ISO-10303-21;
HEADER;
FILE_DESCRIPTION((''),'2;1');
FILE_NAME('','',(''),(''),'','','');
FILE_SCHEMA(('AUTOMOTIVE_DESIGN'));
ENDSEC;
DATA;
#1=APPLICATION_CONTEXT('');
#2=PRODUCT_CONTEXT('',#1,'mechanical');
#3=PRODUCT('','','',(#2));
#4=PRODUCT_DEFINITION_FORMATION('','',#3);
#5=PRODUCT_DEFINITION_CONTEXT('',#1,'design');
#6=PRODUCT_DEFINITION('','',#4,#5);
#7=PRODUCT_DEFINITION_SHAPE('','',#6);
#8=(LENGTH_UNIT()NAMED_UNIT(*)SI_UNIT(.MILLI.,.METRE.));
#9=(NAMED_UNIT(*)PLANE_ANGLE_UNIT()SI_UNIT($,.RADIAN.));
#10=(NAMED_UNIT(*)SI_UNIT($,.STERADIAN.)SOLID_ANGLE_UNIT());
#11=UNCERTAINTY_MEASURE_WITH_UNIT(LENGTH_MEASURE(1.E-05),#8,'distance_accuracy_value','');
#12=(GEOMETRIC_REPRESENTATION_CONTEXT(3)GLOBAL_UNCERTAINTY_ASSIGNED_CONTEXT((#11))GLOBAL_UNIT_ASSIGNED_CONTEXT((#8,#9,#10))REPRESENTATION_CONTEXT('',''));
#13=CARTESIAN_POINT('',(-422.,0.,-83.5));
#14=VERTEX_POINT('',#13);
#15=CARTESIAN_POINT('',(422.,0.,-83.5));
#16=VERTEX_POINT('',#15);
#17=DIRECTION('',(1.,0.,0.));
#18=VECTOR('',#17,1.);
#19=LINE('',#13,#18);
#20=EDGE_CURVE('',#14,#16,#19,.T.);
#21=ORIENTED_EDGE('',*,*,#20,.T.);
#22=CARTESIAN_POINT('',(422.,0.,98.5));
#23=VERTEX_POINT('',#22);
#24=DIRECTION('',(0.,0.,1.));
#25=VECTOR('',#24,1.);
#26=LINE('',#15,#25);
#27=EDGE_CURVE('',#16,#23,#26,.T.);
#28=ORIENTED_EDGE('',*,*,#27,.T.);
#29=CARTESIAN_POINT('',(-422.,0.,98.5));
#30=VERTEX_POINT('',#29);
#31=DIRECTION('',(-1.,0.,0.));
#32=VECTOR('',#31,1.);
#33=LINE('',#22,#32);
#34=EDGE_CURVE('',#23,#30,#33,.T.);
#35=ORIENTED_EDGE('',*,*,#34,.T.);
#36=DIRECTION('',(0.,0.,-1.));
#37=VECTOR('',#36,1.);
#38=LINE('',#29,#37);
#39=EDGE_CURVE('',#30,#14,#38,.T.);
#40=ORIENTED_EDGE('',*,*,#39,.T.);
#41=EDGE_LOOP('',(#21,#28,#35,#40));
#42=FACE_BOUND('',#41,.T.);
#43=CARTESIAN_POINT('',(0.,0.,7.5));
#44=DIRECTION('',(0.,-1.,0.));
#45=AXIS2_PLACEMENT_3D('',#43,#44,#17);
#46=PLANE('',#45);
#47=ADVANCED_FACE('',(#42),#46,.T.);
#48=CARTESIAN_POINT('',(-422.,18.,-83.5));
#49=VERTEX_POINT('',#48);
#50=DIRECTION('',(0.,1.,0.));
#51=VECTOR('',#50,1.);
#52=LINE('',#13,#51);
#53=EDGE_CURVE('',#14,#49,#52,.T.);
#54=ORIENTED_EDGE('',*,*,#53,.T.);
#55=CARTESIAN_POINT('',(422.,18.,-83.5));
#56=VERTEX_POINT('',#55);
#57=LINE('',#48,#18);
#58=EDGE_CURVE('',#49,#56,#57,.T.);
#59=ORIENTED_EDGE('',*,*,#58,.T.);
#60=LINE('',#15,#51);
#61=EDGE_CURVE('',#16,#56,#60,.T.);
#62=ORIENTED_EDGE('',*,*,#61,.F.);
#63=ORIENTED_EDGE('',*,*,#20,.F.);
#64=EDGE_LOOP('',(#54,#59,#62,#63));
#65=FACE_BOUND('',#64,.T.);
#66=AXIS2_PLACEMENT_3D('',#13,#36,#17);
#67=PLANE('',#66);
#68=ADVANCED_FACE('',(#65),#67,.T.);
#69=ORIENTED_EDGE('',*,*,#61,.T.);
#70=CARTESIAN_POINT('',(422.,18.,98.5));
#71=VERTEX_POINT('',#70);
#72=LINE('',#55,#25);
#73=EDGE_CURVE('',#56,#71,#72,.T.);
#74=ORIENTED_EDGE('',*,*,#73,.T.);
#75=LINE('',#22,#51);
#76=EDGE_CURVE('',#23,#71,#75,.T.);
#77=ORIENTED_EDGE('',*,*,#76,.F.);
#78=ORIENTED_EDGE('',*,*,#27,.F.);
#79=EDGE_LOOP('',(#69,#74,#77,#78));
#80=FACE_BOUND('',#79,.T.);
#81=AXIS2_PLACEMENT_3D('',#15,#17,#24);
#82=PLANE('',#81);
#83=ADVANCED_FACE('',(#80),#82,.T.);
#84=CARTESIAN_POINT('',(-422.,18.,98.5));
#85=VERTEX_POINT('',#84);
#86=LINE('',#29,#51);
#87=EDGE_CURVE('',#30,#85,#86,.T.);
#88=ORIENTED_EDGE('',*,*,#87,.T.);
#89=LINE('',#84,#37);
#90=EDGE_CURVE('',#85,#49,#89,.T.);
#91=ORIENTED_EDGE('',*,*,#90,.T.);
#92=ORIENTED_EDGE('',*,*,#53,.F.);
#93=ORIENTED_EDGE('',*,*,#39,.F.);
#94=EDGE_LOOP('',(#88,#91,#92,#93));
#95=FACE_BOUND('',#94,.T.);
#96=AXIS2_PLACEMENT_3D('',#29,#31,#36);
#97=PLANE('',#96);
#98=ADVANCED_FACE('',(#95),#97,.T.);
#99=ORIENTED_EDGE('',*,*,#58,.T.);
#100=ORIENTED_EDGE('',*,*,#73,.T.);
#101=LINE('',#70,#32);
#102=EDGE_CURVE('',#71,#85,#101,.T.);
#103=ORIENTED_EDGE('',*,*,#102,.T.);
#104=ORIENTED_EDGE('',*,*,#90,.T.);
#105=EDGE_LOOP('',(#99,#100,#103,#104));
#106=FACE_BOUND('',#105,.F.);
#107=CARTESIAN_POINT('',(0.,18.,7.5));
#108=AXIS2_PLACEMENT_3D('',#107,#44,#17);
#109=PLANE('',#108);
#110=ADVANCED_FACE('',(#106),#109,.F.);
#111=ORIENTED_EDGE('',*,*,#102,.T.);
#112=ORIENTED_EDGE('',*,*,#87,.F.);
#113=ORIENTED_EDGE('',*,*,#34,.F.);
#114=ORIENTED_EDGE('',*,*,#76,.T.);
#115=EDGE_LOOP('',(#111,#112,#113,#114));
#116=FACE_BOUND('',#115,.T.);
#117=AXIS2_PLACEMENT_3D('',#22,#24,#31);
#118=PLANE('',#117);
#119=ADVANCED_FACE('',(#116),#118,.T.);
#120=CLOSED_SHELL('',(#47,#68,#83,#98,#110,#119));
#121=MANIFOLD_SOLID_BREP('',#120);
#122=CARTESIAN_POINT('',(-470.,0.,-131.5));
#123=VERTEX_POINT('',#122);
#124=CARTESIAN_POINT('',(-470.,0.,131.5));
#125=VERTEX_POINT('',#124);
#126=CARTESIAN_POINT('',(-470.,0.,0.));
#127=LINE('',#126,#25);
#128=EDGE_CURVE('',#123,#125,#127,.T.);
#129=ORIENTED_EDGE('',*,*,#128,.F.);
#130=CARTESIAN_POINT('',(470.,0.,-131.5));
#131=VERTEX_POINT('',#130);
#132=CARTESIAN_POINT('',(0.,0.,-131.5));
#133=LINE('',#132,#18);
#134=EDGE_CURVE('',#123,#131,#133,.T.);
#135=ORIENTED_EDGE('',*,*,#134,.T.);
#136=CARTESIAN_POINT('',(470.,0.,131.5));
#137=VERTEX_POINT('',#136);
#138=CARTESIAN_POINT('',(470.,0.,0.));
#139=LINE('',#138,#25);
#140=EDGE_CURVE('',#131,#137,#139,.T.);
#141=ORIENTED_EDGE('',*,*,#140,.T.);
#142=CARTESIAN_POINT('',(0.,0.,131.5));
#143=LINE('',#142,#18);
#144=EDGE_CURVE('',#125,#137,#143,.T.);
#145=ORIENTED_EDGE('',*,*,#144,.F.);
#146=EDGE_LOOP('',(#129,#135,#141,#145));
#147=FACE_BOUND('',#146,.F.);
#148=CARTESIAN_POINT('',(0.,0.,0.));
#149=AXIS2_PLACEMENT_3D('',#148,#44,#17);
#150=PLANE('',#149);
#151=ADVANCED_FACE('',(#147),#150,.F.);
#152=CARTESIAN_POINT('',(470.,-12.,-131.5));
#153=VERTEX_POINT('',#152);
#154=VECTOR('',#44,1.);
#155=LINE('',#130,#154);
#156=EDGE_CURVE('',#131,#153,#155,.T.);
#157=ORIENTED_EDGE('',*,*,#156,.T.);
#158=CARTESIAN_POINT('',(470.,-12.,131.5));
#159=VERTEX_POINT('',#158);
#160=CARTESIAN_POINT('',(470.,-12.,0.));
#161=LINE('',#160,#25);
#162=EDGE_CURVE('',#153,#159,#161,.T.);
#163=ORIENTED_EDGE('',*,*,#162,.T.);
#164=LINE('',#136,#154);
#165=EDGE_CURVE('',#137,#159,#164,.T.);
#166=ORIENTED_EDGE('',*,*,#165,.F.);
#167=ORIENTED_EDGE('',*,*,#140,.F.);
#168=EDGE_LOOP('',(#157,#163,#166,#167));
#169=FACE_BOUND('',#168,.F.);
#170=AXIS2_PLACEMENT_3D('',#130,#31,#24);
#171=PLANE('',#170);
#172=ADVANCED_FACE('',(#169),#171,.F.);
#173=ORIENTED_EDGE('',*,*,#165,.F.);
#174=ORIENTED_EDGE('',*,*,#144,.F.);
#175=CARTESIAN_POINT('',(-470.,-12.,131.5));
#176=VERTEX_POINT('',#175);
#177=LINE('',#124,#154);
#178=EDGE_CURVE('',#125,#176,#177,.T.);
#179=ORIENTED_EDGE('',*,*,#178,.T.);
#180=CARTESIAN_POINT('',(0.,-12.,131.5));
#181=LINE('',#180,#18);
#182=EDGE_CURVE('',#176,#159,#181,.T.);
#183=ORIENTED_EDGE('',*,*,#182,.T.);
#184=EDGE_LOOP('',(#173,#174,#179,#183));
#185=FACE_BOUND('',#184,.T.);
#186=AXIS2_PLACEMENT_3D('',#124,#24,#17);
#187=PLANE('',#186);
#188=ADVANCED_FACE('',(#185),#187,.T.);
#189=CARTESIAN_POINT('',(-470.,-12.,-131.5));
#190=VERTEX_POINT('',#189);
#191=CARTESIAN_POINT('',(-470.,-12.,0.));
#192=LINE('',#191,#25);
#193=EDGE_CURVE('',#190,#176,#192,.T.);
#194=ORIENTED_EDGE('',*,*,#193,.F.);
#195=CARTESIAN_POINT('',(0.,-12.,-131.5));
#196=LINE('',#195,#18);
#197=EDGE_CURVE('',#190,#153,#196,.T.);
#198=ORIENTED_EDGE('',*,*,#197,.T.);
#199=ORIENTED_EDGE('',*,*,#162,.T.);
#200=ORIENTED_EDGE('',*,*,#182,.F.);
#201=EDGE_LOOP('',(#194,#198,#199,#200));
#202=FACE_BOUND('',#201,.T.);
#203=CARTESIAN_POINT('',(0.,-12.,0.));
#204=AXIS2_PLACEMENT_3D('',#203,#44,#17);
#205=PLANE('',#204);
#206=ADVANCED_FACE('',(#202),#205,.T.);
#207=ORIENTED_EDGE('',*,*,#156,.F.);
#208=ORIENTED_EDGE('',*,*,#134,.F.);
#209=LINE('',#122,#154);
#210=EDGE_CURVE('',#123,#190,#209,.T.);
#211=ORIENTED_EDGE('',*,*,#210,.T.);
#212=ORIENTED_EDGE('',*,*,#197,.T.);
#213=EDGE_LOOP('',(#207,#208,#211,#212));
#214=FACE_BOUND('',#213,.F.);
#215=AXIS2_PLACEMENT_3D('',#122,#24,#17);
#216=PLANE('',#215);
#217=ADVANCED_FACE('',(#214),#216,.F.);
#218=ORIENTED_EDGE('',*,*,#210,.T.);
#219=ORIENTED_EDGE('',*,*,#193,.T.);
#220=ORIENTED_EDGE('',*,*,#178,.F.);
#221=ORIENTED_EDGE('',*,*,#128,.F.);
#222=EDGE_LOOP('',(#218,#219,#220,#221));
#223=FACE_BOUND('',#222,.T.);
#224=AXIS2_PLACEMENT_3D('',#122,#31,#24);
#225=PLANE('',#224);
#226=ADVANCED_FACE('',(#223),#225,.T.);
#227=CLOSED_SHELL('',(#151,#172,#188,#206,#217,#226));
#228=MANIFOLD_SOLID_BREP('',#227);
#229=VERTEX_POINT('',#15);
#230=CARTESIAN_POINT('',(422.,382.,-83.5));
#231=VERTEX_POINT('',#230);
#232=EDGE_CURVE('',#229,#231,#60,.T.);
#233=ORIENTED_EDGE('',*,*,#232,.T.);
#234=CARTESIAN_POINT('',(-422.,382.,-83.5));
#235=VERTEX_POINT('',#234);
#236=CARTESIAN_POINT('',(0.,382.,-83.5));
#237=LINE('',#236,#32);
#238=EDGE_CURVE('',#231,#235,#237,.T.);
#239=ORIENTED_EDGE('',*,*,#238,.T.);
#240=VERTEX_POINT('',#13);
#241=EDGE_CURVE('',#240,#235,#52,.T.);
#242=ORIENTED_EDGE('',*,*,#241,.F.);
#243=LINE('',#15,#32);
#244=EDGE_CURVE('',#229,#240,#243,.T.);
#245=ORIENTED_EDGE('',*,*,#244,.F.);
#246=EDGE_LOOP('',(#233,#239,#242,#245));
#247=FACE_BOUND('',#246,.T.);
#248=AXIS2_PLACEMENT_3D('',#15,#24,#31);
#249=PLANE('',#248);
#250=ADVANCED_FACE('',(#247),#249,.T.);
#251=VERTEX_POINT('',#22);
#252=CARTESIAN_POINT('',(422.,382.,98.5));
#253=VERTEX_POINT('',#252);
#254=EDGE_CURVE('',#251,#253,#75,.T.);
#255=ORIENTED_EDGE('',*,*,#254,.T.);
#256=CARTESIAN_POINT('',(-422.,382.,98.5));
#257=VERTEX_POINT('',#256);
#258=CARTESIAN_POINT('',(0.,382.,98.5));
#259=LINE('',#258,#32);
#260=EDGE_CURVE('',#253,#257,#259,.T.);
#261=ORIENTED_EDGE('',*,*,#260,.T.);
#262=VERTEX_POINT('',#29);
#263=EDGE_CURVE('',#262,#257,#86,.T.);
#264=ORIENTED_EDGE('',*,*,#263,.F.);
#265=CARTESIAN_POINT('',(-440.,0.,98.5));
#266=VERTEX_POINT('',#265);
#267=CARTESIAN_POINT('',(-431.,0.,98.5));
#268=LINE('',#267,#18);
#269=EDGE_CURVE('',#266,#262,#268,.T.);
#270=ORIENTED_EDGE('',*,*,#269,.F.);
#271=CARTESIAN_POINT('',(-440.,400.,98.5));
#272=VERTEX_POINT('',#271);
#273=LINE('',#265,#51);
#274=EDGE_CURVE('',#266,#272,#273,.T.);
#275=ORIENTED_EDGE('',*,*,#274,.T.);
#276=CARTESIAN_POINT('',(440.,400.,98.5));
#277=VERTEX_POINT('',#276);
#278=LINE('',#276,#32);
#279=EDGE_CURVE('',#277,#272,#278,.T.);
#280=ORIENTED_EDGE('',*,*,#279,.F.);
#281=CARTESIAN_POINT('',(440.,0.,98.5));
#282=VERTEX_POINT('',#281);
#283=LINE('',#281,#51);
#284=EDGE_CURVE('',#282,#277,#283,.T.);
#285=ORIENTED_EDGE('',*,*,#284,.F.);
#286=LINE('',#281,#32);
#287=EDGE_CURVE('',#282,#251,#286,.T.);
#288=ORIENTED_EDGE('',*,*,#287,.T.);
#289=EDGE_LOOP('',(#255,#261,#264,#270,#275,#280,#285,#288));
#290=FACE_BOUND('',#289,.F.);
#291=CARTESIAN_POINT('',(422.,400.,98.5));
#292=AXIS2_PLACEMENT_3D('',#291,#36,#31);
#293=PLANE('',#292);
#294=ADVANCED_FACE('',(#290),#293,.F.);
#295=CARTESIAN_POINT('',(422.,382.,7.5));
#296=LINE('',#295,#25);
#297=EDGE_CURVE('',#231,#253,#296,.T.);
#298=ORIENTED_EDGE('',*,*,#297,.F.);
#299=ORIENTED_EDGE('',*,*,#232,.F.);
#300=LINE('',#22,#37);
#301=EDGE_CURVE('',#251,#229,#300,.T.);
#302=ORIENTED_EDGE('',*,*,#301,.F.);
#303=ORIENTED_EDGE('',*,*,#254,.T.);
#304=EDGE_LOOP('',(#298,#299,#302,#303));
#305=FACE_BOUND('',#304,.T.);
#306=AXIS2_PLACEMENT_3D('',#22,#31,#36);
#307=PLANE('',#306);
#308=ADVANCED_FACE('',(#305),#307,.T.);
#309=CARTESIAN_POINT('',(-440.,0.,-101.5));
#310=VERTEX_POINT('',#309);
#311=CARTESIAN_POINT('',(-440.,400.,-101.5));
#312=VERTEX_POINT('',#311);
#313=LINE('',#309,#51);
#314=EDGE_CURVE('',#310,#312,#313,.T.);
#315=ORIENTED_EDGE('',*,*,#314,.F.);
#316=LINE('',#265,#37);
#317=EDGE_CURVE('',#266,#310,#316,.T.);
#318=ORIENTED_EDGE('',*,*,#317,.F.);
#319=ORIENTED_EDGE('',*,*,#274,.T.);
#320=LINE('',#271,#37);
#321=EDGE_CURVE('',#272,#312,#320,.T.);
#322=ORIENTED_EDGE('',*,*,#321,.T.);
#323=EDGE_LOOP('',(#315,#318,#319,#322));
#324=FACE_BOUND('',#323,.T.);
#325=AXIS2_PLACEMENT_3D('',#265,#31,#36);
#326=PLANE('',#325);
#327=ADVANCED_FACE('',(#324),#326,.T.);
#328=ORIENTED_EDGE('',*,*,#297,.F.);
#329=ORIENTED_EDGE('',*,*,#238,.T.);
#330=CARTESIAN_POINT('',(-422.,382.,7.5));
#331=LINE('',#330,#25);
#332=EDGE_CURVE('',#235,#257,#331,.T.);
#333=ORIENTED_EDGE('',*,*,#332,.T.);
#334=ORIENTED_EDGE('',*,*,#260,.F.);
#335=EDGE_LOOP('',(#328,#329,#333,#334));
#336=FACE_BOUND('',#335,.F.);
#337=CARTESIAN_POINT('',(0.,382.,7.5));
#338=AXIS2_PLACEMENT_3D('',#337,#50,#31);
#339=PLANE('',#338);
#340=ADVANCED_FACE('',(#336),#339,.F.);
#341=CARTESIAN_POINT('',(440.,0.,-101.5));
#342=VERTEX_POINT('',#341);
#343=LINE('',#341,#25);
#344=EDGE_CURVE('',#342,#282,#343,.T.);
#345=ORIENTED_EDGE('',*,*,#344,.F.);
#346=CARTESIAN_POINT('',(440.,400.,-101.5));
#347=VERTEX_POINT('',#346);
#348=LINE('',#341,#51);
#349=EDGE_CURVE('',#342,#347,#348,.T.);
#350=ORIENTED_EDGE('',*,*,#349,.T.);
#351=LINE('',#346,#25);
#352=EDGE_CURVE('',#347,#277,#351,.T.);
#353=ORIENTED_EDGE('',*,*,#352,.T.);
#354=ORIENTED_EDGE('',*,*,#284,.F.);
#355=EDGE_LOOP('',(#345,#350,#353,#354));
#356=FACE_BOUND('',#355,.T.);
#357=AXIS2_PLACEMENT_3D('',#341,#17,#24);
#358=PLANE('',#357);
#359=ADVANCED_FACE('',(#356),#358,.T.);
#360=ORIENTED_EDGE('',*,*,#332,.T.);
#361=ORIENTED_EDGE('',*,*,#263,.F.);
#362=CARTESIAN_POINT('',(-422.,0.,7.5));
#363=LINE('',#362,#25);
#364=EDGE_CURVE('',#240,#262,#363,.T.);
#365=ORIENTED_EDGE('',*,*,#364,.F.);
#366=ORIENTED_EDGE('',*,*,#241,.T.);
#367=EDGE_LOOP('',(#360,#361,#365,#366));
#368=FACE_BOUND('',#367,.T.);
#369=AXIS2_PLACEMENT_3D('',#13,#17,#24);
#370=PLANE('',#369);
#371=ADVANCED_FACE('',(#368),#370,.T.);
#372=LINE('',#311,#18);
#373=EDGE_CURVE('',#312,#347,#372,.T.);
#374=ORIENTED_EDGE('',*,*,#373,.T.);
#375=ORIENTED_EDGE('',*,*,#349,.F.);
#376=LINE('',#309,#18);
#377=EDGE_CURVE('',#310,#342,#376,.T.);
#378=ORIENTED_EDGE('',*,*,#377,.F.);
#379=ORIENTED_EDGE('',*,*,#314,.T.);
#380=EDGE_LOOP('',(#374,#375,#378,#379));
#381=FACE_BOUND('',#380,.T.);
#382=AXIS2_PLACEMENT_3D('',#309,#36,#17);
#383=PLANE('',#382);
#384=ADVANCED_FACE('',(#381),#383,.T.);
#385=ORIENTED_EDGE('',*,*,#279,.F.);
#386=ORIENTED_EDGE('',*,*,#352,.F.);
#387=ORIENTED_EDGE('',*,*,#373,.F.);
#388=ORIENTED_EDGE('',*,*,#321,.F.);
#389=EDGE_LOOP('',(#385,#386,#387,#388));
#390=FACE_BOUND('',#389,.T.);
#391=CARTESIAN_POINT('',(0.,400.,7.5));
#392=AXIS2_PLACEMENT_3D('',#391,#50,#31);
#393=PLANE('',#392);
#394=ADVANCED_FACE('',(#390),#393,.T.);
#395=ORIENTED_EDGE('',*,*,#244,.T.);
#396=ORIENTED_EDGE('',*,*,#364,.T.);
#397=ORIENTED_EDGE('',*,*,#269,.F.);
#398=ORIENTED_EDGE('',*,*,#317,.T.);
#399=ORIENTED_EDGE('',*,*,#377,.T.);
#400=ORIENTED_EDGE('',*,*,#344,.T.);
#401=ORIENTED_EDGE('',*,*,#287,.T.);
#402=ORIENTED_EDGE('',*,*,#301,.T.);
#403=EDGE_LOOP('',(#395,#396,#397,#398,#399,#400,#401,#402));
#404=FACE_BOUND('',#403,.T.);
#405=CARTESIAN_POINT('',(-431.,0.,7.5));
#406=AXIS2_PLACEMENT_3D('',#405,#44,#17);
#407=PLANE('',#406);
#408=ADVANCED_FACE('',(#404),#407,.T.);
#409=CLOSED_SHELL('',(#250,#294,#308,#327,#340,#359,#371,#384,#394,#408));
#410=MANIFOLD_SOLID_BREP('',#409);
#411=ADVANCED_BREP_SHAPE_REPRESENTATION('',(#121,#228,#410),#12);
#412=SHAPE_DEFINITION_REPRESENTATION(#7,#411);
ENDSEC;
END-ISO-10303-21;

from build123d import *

# Parameters (mm, degrees)
F0_W     = 18
F0_H     = 182
F1_DEPTH = 400
F0_W_2   = 940
F0_H_2   = 263
F2_DEPTH = 12
F3_DEPTH = 18
F4_W     = 844
F4_H     = 182
F5_DEPTH = 18


with BuildPart() as f1:
    # F0 (on Front) → F1 (new body)
    with BuildSketch(Plane.XZ):
        with Locations((-431, 7.5)):
            Rectangle(F0_W, F0_H)
        Polygon((-440, -101.5), (440, -101.5), (440, 98.5), (422, 98.5), (422, -83.5), (404, -83.5), (-422, -83.5), (-440, -83.5), align=None)
    extrude(amount=-F1_DEPTH)

    # F4 (on face) → F5 (join)
    with BuildSketch(Plane(origin=(0, 400, 0), x_dir=(-1, 0, 0), z_dir=(0, 1, 0))):
        with Locations((0, 7.5)):
            Rectangle(F4_W, F4_H)
    extrude(amount=-F5_DEPTH)


with BuildPart() as f2:
    # F0 (on Front) → F2 (new body)
    with BuildSketch(Plane.XZ):
        Rectangle(F0_W_2, F0_H_2)
        Polygon((440, 98.5), (440, -101.5), (-440, -101.5), (-440, -83.5), (-440, 98.5), (-422, 98.5), (422, 98.5), align=None, mode=Mode.SUBTRACT)
        Polygon((422, -83.5), (422, 98.5), (-422, 98.5), (-422, -83.5), (404, -83.5), align=None)
        Polygon((-440, -101.5), (440, -101.5), (440, 98.5), (422, 98.5), (422, -83.5), (404, -83.5), (-422, -83.5), (-440, -83.5), align=None)
        with Locations((-431, 7.5)):
            Rectangle(F0_W, F0_H)
    extrude(amount=F2_DEPTH)


with BuildPart() as f3:
    # F0 (on Front) → F3 (new body)
    with BuildSketch(Plane.XZ):
        Polygon((422, -83.5), (422, 98.5), (-422, 98.5), (-422, -83.5), (404, -83.5), align=None)
    extrude(amount=-F3_DEPTH)


solid = Compound([f1.part, f2.part, f3.part])
